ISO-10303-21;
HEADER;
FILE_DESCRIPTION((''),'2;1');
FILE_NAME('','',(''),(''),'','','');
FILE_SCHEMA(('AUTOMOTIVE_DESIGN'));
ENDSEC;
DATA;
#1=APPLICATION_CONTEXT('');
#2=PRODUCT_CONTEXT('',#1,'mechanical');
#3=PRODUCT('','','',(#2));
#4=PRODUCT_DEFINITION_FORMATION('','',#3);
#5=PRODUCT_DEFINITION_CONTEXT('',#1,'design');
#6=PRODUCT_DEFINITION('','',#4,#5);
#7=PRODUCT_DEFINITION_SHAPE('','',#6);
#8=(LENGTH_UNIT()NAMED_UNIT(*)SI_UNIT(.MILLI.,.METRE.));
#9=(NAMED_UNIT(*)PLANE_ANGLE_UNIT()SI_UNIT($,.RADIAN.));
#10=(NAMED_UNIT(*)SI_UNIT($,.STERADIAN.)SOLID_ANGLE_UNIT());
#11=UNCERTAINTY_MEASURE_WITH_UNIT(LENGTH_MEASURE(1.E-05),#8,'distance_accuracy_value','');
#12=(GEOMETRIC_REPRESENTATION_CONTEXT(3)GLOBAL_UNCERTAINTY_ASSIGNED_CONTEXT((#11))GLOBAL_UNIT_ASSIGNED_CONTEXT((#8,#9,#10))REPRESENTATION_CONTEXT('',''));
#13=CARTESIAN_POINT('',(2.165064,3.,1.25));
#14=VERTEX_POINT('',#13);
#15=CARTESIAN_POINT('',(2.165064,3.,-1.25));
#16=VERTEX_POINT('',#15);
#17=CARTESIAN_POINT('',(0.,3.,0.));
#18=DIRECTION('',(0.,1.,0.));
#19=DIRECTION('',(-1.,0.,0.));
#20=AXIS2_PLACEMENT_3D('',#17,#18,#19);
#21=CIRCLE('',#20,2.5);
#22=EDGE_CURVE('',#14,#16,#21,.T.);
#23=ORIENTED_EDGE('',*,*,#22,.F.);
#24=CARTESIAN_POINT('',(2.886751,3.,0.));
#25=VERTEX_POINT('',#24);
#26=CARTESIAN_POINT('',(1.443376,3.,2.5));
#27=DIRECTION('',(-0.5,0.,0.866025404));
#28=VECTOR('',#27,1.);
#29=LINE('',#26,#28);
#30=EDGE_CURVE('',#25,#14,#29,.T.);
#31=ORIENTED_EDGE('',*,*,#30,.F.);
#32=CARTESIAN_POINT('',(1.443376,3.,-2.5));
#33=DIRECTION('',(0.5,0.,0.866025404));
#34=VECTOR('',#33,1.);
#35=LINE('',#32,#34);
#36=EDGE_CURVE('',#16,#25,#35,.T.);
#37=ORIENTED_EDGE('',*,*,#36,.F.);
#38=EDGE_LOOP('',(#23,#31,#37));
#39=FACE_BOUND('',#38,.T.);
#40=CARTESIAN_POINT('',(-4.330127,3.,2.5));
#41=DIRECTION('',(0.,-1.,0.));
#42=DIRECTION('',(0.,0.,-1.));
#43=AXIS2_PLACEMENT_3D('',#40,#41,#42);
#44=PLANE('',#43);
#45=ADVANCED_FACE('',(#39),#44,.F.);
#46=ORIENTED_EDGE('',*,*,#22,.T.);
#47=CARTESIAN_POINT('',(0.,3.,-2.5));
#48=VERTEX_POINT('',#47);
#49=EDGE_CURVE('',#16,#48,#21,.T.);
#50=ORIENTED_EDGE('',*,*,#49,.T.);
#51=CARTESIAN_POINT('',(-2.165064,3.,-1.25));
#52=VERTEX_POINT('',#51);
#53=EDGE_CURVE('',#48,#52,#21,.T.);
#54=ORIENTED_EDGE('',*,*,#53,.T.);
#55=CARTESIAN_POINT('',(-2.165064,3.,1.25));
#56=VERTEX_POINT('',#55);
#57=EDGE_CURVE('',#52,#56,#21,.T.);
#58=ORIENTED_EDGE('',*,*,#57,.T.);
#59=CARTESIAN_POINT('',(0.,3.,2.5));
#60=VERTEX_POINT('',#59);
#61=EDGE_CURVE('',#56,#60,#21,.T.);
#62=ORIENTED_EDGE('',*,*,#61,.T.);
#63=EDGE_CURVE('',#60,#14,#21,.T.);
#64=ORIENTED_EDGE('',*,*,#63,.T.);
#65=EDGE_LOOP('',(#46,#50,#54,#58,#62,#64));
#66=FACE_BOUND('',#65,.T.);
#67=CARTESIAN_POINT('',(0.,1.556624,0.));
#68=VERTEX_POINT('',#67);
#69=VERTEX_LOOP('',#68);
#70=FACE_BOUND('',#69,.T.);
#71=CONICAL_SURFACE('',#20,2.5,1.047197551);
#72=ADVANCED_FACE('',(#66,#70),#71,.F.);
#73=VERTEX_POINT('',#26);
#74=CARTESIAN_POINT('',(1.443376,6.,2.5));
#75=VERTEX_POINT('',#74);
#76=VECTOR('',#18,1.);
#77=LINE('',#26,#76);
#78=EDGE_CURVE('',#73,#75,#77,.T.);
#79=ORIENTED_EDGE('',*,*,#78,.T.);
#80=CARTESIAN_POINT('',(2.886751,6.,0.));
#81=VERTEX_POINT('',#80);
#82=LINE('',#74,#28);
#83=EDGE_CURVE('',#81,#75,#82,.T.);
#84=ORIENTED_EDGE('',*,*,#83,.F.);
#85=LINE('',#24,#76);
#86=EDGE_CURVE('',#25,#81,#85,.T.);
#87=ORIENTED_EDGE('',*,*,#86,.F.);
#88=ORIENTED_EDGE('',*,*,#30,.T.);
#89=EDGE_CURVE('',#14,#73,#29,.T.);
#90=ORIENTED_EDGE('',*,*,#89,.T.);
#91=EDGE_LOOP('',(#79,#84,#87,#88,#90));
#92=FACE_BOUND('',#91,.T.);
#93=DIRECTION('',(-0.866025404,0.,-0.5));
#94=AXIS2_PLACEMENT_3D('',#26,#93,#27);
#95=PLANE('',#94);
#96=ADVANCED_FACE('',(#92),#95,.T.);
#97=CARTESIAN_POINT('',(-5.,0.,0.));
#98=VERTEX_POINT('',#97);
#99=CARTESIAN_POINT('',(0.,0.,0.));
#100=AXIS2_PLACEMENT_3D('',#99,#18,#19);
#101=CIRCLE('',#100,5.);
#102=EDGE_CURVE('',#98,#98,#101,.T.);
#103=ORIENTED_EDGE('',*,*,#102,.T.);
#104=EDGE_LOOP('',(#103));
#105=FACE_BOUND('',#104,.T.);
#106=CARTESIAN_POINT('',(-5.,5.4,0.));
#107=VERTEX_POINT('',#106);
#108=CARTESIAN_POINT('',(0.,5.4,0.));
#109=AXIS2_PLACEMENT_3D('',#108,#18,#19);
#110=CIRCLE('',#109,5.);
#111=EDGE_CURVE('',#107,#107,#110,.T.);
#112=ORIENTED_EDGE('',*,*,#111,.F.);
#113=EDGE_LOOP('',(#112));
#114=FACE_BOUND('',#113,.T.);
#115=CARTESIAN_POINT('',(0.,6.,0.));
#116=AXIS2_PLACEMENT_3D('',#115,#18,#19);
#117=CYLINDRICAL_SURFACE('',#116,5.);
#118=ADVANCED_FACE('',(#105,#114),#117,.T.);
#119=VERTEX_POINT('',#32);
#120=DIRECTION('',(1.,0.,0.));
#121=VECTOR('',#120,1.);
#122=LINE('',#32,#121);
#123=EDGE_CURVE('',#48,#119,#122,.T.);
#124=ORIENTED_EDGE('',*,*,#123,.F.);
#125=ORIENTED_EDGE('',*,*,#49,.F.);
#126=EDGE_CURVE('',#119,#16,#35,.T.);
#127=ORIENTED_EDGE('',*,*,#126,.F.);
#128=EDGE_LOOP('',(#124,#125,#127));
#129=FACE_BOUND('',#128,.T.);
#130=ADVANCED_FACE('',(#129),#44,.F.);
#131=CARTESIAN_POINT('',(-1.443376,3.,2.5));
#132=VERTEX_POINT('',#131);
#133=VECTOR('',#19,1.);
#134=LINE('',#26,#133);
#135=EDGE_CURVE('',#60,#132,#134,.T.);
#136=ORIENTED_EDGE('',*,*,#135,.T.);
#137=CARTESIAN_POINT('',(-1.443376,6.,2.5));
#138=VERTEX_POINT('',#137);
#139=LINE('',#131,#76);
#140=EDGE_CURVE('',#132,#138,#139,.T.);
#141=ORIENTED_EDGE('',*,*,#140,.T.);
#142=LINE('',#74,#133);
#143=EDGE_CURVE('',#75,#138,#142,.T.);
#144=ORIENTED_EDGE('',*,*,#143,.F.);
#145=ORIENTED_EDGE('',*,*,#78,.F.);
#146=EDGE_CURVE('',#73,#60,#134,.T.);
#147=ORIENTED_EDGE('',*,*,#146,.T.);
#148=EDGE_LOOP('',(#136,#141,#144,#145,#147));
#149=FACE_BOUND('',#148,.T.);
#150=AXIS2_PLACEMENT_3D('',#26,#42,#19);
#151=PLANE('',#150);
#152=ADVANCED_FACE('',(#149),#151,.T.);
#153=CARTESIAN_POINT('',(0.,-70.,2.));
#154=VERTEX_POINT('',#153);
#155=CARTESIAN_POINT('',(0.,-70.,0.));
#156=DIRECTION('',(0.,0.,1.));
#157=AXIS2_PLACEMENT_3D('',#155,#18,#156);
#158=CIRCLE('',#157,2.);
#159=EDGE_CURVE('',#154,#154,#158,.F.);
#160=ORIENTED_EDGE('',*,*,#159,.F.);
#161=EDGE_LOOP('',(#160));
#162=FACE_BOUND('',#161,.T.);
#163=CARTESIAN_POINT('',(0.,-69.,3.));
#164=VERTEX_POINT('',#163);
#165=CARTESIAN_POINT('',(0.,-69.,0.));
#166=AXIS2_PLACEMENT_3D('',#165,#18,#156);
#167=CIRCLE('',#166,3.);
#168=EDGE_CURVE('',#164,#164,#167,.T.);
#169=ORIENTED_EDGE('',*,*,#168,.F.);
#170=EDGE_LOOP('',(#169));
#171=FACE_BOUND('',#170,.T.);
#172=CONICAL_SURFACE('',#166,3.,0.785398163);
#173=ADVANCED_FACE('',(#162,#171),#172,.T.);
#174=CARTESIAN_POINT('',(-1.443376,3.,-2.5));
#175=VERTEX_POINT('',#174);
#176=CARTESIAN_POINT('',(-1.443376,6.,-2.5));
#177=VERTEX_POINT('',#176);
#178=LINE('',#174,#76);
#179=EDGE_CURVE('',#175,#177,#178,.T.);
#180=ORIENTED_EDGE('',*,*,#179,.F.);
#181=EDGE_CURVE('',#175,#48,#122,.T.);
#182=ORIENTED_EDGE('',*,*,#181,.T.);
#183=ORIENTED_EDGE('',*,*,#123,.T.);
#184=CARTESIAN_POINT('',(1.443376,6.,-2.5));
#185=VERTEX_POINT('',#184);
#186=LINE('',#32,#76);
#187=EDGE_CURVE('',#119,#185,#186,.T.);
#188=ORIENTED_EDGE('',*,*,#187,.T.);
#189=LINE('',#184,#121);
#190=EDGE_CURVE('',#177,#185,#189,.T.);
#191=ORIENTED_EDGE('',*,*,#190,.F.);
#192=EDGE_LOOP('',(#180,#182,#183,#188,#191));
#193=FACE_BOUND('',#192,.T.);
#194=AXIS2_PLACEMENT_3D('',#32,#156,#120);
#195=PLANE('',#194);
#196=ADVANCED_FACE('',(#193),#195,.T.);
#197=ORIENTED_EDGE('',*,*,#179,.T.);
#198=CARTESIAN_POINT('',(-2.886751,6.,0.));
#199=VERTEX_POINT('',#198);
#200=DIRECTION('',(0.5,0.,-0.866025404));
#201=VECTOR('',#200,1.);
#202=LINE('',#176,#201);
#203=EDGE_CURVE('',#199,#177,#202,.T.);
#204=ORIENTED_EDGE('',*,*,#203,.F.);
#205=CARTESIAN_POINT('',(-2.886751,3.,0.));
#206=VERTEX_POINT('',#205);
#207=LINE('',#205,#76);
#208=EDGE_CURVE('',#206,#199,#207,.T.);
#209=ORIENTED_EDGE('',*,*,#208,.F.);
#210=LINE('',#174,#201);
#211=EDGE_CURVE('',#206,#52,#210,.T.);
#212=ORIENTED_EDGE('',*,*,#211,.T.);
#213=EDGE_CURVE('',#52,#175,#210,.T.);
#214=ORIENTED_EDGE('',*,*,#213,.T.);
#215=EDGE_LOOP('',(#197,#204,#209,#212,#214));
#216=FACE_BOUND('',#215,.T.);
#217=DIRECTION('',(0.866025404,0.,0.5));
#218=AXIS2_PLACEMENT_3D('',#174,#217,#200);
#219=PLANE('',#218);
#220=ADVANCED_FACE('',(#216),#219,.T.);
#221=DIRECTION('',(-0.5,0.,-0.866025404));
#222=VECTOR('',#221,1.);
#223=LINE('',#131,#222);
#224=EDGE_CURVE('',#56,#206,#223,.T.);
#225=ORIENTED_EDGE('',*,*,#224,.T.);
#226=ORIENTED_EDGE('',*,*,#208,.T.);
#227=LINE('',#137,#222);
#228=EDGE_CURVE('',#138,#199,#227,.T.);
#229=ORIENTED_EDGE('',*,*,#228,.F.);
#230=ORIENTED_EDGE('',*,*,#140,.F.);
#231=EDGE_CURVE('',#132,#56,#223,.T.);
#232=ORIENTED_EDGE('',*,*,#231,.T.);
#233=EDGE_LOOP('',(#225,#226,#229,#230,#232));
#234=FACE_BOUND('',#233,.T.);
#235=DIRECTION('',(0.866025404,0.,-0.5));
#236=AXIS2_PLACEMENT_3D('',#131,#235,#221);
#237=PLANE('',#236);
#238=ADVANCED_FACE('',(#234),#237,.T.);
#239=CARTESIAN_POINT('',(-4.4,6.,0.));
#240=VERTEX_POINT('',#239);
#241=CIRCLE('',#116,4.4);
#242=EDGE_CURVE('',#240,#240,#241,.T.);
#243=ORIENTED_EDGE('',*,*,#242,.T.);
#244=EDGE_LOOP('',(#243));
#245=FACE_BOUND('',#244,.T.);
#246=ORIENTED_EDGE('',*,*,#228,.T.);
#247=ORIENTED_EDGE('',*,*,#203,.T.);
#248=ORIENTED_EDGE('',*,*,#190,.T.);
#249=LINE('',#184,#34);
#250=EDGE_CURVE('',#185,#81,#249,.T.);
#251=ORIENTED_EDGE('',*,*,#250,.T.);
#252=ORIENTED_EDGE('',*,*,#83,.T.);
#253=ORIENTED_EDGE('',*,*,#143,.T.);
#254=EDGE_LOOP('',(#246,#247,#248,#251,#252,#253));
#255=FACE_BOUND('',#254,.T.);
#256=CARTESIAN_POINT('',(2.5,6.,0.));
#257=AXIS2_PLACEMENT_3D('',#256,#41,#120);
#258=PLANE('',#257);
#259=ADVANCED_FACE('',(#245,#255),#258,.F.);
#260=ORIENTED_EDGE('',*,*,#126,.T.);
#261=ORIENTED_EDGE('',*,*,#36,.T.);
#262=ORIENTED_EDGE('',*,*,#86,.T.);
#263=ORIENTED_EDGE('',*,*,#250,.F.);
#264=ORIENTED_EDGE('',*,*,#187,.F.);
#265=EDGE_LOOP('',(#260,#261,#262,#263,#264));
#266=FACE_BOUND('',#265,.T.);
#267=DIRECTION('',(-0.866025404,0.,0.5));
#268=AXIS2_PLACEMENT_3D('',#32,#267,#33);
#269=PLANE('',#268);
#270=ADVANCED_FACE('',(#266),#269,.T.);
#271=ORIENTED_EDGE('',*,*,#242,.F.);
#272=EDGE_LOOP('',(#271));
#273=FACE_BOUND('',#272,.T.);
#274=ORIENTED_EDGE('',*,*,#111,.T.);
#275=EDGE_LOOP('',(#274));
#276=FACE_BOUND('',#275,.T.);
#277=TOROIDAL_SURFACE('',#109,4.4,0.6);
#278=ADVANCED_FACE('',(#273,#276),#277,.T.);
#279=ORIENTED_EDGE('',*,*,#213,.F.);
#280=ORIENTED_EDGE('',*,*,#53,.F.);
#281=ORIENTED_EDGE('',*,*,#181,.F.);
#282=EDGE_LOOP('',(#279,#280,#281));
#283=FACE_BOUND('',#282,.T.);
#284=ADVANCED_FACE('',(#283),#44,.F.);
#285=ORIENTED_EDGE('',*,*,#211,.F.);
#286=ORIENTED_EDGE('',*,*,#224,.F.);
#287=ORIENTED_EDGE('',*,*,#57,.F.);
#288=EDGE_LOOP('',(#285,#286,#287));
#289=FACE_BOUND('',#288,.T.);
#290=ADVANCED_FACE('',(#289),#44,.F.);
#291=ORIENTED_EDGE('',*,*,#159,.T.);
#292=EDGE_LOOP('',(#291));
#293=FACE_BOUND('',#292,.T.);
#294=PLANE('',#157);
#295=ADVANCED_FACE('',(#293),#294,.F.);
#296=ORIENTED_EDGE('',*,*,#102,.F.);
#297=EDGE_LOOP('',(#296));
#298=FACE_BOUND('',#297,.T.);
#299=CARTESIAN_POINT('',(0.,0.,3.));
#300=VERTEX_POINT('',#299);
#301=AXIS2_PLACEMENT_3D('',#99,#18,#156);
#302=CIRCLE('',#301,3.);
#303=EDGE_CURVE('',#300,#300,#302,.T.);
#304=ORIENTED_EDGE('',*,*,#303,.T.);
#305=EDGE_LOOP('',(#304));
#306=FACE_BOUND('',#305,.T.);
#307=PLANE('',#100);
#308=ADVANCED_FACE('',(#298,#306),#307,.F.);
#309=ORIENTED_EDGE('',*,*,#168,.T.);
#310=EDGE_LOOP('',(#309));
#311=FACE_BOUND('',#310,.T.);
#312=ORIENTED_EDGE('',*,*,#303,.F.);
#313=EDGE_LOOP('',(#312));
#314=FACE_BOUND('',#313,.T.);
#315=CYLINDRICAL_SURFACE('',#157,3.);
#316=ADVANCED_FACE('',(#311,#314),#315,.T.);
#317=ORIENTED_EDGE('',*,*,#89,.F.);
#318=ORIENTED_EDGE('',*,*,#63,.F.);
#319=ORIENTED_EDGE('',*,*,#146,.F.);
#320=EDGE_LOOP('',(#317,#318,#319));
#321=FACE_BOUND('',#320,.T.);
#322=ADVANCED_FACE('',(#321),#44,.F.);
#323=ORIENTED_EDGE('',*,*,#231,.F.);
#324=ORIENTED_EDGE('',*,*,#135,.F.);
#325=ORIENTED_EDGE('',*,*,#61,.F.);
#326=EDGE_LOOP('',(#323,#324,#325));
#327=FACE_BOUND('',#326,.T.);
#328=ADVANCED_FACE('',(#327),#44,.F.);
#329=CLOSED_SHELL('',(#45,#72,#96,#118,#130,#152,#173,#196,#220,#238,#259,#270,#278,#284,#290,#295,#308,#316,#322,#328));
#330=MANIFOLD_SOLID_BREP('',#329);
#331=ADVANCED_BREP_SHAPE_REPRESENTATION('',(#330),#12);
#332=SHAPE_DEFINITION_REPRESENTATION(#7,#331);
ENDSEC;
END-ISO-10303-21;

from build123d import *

# Parameters (mm, degrees)
ESQUISSE1_R             = 3
TIGE_DEPTH              = 70
CHANFREIN_D_ENTR_E_SIZE = 1
HEXAGONE_DEPTH          = 3


with BuildPart() as part:
    # Esquisse1 → Tige (new body)
    with BuildSketch(Plane(origin=(0, 0, 0), x_dir=(1, 0, 0), z_dir=(0, 1, 0))):
        Circle(ESQUISSE1_R)
    extrude(amount=-TIGE_DEPTH)

    # Chanfrein d'entrée
    chanfrein_d_entr_e_edges = [part.edges().sort_by_distance(p)[0] for p in [
        (-3, -70, 0),
    ]]
    chamfer(chanfrein_d_entr_e_edges, length=CHANFREIN_D_ENTR_E_SIZE)

    # Esquisse2 → Tête (revolve)
    with BuildSketch(Plane.XY):
        with BuildLine():
            Line((2.5, 6), (2.5, 3))
            Line((2.5, 3), (0, 1.556624327))
            Line((0, 1.556624327), (0, 0))
            Line((0, 0), (5, 0))
            Line((5, 0), (5, 5.4))
            ThreePointArc((5, 5.4), (4.824264069, 5.824264069), (4.4, 6))
            Line((4.4, 6), (2.5, 6))
        make_face()
    revolve(axis=Axis((0, 6, 0), (0, -1, 0)))

    # Esquisse3 → Hexagone (cut)
    with BuildSketch(Plane(origin=(0, 6, -3), x_dir=(1, 0, 0), z_dir=(0, -1, 0))):
        Polygon((1.443375673, 5.5), (-1.443375673, 5.5), (-2.886751346, 3), (-1.443375673, 0.5), (1.443375673, 0.5), (2.886751346, 3), align=None)
    extrude(amount=HEXAGONE_DEPTH, mode=Mode.SUBTRACT)


solid = part.part
